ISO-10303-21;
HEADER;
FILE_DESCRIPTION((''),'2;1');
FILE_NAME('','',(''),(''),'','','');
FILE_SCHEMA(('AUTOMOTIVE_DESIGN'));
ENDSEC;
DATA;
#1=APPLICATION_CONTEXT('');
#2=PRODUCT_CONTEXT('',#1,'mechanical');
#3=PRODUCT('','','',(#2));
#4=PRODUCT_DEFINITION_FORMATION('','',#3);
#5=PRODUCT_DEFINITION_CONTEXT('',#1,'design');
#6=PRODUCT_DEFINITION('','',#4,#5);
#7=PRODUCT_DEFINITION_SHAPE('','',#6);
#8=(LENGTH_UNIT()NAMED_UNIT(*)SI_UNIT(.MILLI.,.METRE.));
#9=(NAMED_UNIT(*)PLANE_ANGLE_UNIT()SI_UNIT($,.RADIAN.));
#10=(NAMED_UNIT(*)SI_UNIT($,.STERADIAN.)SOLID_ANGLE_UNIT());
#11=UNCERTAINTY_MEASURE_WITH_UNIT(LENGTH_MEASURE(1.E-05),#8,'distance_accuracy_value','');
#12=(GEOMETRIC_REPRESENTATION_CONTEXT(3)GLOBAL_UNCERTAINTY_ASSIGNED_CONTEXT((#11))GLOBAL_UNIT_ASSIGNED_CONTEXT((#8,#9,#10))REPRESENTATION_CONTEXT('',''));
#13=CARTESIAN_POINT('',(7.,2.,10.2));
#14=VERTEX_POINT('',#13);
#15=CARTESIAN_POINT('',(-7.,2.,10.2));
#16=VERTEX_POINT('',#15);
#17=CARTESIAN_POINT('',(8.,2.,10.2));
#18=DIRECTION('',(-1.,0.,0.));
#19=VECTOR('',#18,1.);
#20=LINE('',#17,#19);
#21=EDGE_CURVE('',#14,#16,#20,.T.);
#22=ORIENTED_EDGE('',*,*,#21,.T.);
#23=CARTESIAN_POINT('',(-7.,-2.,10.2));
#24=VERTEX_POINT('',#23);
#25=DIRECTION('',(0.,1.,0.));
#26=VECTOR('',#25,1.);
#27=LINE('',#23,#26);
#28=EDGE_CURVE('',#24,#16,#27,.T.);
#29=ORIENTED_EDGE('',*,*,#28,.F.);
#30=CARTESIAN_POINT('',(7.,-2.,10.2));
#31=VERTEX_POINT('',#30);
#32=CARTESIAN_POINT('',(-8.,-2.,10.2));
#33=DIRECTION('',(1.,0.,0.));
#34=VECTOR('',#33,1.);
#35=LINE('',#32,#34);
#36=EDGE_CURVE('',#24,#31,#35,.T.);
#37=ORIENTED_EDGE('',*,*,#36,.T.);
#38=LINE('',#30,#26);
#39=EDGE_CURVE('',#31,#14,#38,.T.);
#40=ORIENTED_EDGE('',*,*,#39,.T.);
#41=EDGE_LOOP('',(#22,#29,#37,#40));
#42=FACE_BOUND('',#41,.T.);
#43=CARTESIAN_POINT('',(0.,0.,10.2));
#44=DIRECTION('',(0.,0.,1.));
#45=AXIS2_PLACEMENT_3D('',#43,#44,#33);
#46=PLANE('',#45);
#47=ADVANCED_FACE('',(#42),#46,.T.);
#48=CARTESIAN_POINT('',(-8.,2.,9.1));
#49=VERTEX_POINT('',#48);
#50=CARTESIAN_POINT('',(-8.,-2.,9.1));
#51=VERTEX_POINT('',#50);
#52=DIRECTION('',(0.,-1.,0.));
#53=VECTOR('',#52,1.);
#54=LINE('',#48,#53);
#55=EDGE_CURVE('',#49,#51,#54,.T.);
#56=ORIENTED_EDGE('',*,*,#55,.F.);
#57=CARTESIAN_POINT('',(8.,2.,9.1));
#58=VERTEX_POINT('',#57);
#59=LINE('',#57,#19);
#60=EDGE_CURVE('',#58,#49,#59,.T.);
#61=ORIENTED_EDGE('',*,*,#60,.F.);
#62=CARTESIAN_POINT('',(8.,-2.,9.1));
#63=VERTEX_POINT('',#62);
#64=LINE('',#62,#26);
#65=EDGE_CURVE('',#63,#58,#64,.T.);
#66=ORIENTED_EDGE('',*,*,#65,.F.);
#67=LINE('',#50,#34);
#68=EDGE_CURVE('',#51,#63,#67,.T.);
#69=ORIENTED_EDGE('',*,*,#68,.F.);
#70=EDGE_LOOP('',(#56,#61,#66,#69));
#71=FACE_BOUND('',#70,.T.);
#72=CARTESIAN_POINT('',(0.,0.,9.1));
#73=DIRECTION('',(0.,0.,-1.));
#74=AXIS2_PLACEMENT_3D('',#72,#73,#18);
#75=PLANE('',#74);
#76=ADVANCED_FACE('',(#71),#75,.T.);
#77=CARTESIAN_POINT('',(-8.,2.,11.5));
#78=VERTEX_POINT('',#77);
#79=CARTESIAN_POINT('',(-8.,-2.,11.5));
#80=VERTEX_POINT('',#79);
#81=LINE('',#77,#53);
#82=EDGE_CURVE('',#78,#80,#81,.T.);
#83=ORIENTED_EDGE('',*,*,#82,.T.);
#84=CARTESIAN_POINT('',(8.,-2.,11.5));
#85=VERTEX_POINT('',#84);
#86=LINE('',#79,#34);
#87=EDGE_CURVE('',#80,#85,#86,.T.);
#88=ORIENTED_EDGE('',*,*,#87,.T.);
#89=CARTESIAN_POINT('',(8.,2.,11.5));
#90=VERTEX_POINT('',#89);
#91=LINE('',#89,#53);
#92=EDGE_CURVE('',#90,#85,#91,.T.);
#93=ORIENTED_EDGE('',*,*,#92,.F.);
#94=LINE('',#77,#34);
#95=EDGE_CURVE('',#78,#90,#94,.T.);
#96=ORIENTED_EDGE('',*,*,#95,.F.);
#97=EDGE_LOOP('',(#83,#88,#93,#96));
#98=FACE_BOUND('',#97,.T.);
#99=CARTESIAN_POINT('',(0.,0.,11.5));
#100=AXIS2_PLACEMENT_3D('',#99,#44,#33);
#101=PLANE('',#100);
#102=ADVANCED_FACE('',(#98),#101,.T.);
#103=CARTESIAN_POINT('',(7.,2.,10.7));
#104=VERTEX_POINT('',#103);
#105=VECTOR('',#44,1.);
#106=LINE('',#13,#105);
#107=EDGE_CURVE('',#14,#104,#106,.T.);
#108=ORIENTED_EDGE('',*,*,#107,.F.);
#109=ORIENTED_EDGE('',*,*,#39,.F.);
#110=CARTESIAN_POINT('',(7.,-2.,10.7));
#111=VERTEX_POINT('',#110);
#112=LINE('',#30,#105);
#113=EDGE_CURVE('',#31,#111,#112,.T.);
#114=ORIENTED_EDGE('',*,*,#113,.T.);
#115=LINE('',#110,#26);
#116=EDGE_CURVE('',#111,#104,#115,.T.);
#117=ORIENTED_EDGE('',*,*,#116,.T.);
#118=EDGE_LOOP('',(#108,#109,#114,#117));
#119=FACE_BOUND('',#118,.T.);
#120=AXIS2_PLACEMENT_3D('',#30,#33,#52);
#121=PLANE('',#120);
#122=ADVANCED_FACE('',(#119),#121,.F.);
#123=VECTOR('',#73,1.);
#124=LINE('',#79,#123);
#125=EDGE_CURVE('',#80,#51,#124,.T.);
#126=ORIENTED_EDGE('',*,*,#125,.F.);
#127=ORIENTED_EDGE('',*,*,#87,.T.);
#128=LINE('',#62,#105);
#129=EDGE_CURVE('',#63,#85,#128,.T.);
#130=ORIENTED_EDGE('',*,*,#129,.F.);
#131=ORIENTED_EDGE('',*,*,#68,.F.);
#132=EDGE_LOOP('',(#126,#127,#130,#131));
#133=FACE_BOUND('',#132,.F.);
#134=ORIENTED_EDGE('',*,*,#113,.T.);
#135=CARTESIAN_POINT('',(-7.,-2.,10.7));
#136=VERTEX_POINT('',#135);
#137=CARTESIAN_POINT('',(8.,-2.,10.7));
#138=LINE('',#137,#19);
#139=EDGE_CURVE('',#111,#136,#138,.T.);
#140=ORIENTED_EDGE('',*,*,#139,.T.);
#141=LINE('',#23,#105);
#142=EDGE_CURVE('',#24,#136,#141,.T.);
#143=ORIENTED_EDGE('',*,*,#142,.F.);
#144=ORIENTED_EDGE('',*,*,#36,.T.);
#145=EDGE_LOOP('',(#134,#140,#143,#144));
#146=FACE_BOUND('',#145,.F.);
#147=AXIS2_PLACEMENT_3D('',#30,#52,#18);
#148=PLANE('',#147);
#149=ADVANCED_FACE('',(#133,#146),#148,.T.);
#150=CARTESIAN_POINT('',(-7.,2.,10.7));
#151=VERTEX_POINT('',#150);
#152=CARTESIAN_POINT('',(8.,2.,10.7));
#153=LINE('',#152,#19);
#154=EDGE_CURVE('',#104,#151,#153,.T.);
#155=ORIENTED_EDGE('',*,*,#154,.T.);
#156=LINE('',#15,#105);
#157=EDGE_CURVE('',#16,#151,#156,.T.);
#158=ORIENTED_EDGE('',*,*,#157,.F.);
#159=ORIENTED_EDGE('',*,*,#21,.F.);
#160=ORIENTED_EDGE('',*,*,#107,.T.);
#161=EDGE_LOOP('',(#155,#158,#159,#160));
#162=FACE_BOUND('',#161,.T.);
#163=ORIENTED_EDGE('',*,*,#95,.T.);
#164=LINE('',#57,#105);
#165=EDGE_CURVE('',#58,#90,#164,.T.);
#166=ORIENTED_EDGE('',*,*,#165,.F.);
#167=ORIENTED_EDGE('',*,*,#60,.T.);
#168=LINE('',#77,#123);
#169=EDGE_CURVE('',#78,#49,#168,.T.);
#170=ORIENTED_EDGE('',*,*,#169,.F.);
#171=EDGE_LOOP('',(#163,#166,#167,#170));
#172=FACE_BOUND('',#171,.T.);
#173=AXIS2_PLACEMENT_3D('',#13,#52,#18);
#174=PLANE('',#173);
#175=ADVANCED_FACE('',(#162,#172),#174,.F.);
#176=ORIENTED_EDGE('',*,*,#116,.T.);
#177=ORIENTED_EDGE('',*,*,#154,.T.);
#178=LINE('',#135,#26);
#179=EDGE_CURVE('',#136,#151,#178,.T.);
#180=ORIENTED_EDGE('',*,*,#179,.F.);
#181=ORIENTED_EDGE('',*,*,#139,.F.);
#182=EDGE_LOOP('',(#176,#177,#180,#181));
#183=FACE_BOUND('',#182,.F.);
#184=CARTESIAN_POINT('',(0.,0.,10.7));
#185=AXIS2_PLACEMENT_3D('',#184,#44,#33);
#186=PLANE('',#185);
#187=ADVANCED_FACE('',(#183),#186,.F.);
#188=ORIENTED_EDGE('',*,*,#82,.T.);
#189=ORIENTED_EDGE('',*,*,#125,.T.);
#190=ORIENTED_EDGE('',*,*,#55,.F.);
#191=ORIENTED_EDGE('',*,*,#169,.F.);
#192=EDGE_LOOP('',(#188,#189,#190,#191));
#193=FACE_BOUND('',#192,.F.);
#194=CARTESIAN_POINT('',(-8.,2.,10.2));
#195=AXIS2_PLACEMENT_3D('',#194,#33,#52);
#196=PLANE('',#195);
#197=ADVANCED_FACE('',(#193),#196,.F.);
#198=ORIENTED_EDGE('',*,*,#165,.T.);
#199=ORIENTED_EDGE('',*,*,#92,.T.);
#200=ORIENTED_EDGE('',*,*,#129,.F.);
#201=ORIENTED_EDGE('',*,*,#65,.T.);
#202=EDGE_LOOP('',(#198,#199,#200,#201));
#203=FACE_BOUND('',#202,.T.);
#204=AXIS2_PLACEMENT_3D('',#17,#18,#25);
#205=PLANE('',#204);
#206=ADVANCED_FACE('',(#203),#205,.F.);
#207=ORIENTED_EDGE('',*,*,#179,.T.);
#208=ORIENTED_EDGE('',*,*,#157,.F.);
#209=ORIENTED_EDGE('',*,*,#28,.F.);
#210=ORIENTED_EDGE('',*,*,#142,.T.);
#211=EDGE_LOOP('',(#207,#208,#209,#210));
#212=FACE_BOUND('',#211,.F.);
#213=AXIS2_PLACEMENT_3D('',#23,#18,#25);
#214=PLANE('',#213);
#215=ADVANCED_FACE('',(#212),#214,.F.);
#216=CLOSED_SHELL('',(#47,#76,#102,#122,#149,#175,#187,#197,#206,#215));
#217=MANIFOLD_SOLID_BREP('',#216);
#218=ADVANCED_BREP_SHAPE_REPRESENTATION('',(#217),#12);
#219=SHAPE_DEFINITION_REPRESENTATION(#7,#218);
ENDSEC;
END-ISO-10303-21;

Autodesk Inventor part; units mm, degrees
ref_plane "YZ Plane" through (0, 0, 0) normal (1, 0, 0) x (0, 1, 0)
ref_plane "XZ Plane" through (0, 0, 0) normal (0, 1, 0) x (-1, 0, 0)
sketch "Sketch1" plane through (0, 0, 0) normal (0, 0, 1) x (1, 0, 0)
  line L0 (-8, -2) -> (8, -2)
  line L1 (8, -2) -> (8, 2)
  line L2 (8, 2) -> (-8, 2)
  line L3 (-8, 2) -> (-8, -2)
  point P0 (0, 0)
  dimension "d268" = 4
  dimension "d269" = 2
  dimension "d270" = 16
  dimension "d271" = 8
extrude "Extrusion1" add sketch "Sketch1" along normal blind 10.2
sketch "Sketch2" plane through (-6.98, -2.75, 0) normal (0, -1, 0) x (1, 0, 0)
  line L0 (0, 0) -> (13.96, 0) projected
  line L1 (5.18, 3.6) -> (8.78, 3.6)
  line L2 (8.78, 3.6) -> (8.78, 0.5)
  line L3 (8.28, 0) -> (5.68, 0)
  line L4 (5.18, 0.5) -> (5.18, 3.6)
  line L5 (5.18, 0.5) -> (5.68, 0)
  line L6 (8.78, 0.5) -> (8.28, 0)
  point P0 (6.98, 0)
  dimension "d15" = 3.6
  dimension "d17" = 0.5
  dimension "d19" = 135
  dimension "d20" = 135
  dimension "d21" = 0.5
  dimension "d22" = 3.6
extrude "Extrusion2" [suppressed]
sketch "Sketch3" plane through (0, 0, 0) normal (0, 1, 0) x (-1, 0, 0)
  line L0 (-6.98, 3.6) -> (-7.23, 3.6)
  line L1 (-7.98, 2.1) -> (-7.98, 1.22)
  line L2 (-7.98, 1.22) -> (-6.98, 1.22)
  line L3 (-6.98, 1.22) -> (-6.98, 3.6)
  line L4 (6.98, 10.2) -> (-6.98, 10.2) projected
  line L5 (0, 10.2) -> (0, 0)
  line L6 (-6.98, 0) -> (6.98, 0) projected
  line L7 (-7.23, 3.6) -> (-7.98, 2.1)
  line L8 (6.98, 3.6) -> (7.23, 3.6)
  line L9 (7.98, 2.1) -> (7.98, 1.22)
  line L10 (7.98, 1.22) -> (6.98, 1.22)
  line L11 (6.98, 1.22) -> (6.98, 3.6)
  line L12 (7.23, 3.6) -> (7.98, 2.1)
  dimension "d25" = 13.96
  dimension "d26" = 1.22
  dimension "d28" = 1
  dimension "d29" = 1.5
  dimension "d30" = 0.88
  dimension "d31" = 0.25
extrude "Extrusion3" [suppressed]
sketch "Sketch4" plane through (0, -0.5, 0) normal (0, -1, 0) x (1, 0, 0)
  line L0 (6.98, 3.6) -> (7.23, 3.6) projected
  line L1 (6.98, 6.263) -> (7.23, 6.263)
  line L2 (7.98, 5.513) -> (7.98, 5.263)
  line L3 (7.98, 5.263) -> (6.98, 5.263)
  line L4 (6.98, 5.263) -> (6.98, 6.263)
  line L5 (-6.98, 10.2) -> (6.98, 10.2) projected
  line L6 (6.98, 0) -> (-6.98, 0) projected
  line L7 (0, 10.2) -> (0, 0)
  line L8 (7.23, 6.263) -> (7.98, 5.513)
  line L9 (-6.98, 6.263) -> (-7.23, 6.263)
  line L10 (-7.98, 5.513) -> (-7.98, 5.263)
  line L11 (-7.98, 5.263) -> (-6.98, 5.263)
  line L12 (-6.98, 5.263) -> (-6.98, 6.263)
  line L13 (-7.23, 6.263) -> (-7.98, 5.513)
  dimension "d34" = 1.663
  dimension "d35" = 13.96
  dimension "d36" = 1
  dimension "d38" = 0.25
  dimension "d39" = 1
  dimension "d40" = 0.25
extrude "Extrusion4" [suppressed]
sketch "Sketch5" plane through (0, 0.5, 0) normal (0, 1, 0) x (1, 0, 0)
  line L0 (7.23, -3.6) -> (6.98, -3.6) projected
  line L1 (7.23, -6.263) -> (6.98, -6.263)
  line L2 (6.98, -6.263) -> (6.98, -5.263)
  line L3 (6.98, -5.263) -> (7.98, -5.263)
  line L4 (7.98, -5.263) -> (7.98, -5.513)
  line L5 (6.98, -10.2) -> (-6.98, -10.2) projected
  line L6 (1.3, 0) -> (-1.3, 0) projected
  line L7 (0, 0) -> (0, -10.2)
  line L8 (7.23, -6.263) -> (7.98, -5.513)
  line L9 (-7.23, -6.263) -> (-6.98, -6.263)
  line L10 (-6.98, -6.263) -> (-6.98, -5.263)
  line L11 (-6.98, -5.263) -> (-7.98, -5.263)
  line L12 (-7.98, -5.263) -> (-7.98, -5.513)
  line L13 (-7.23, -6.263) -> (-7.98, -5.513)
  dimension "d43" = 1.663
  dimension "d44" = 13.96
  dimension "d45" = 1
  dimension "d46" = 1
  dimension "d47" = 0.25
  dimension "d48" = 0.25
extrude "Extrusion5" [suppressed]
sketch "Sketch6" plane through (-6.98, -2.75, 10.2) normal (0, -1, 0) x (1, 0, 0)
  line L0 (0, -10.2) -> (5.68, -10.2) projected
  line L1 (-38.97, -10.2) -> (-36.97, -6.7359)
  line L2 (-36.97, -6.7359) -> (-34.97, -10.2)
  line L3 (-38.97, -10.2) -> (-34.97, -10.2)
  line L4 (0.5, -10.2) -> (2.5, -6.7359)
  line L5 (2.5, -6.7359) -> (4.5, -10.2)
  line L6 (0.5, -10.2) -> (4.5, -10.2)
  dimension "d61" = 0.5
  dimension "d62" = 4
extrude "Extrusion6" [suppressed]
sketch "Sketch7" plane through (0, 0, 0) normal (0, 0, -1) x (-1, 0, 0)
  line L0 (6.98, 2.75) -> (6.98, -1.25) projected
  line L1 (4.705, 1.645) -> (5.455, 1.645)
  line L2 (5.455, 1.645) -> (5.455, 0.895)
  line L3 (5.455, 0.895) -> (4.705, 0.895)
  line L4 (4.705, 0.895) -> (4.705, 1.645)
  line L5 (4.705, -0.895) -> (5.455, -0.895)
  line L6 (5.455, -0.895) -> (5.455, -1.645)
  line L7 (5.455, -1.645) -> (4.705, -1.645)
  line L8 (4.705, -1.645) -> (4.705, -0.895)
  line L9 (5.08, 0.895) -> (5.08, -0.895) construction
  point P0 (0, 0)
  point P1 (5.08, 0)
  dimension "d65" = 0.75
  dimension "d66" = 2.54
  dimension "d67" = 1.525
extrude "Extrusion7" [suppressed]
chamfer "Chamfer1" [suppressed]
pattern_linear "Rectangular Pattern1" [suppressed]
ref_plane "Work Plane1" through (0, 0, 10.7) normal (0, 0, 1) x (1, 0, 0)
sketch "Sketch8" plane through (0, 0, 10.7) normal (0, 0, 1) x (1, 0, 0)
  line L0 (-6.98, 2.75) -> (6.98, 2.75) projected
  line L1 (-6.98, -2.75) -> (-6.98, 2.75) projected
  line L2 (6.98, -2.75) -> (-6.98, -2.75) projected
  line L3 (6.98, 2.75) -> (6.98, -2.75) projected
  line L4 (-7.11, 0) -> (-42.9538, 0)
  line L5 (-8, -2) -> (-8, 2) projected
  line L6 (8, -2) -> (-8, -2) projected
  line L7 (8, 2) -> (8, -2) projected
  line L8 (-8, 2) -> (8, 2) projected
  line L9 (8, 2) -> (-8, 2) projected
  line L10 (8, -2) -> (-8, -2)
  line L11 (-8, -2) -> (-8, 2)
  line L12 (-8, 2) -> (8, 2)
  line L13 (8, 2) -> (8, -2)
extrude "Extrusion20" add sketch "Sketch8" along normal blind 0.8 contours L8 L3 L6 L1 | L1 L6 L5 L8 | L8 L7 L6 L3
sketch "Sketch22" plane through (0, 0, 0) normal (0, 0, -1) x (-1, 0, 0)
  line L0 (-7.99, -3) -> (-8.665, -3) projected
  line L1 (8.665, 2.75) -> (-8.665, 2.75) projected
  line L2 (-8.665, -3) -> (8.665, -3)
  line L3 (8.665, -3) -> (8.665, 2.75)
  line L4 (8.665, 2.75) -> (-8.665, 2.75)
  line L5 (-8.665, 2.75) -> (-8.665, -3)
  point P0 (0, 0)
extrude "Extrusion17" [suppressed]
sketch "Sketch25" plane through (0, 0, 0) normal (0, 0, -1) x (-1, 0, 0)
  line L0 (8, -2) -> (-8, -2) projected
  line L1 (8, 2) -> (8, -2) projected
  line L2 (-8, 2) -> (8, 2) projected
  line L3 (-8, -2) -> (-8, 2) projected
  line L4 (8, -2) -> (-8, -2)
  line L5 (-8, -2) -> (-8, 2)
  line L6 (-8, 2) -> (8, 2)
  line L7 (8, 2) -> (8, -2)
  point P0 (0, 0)
extrude "Extrusion21" cut sketch "Sketch25" against normal blind 9.1
sketch "Sketch26" plane through (0, 0, 10.2) normal (0, 0, 1) x (1, 0, 0)
  line L0 (8, -2) -> (-8, -2) projected
  line L1 (8, 2) -> (-8, 2) projected
  line L2 (-8, -2) -> (-7, -2)
  line L3 (-7, -2) -> (-7, 2)
  line L4 (-7, 2) -> (-8, 2)
  line L5 (-8, 2) -> (-8, -2)
  point P0 (0, 0)
  dimension "d276" = 1
extrude "Extrusion22" add sketch "Sketch26" along normal blind 0.5
mirror "Mirror1" about plane through (0, 0, 0) normal (1, 0, 0) of "Extrusion22"
equation "\"DimA\" = 13.96"
equation "\"DimB\" = 17.33"
equation "\"DimC\" = 5.715"
properties part number "Ribbon Cable Connector-02"
